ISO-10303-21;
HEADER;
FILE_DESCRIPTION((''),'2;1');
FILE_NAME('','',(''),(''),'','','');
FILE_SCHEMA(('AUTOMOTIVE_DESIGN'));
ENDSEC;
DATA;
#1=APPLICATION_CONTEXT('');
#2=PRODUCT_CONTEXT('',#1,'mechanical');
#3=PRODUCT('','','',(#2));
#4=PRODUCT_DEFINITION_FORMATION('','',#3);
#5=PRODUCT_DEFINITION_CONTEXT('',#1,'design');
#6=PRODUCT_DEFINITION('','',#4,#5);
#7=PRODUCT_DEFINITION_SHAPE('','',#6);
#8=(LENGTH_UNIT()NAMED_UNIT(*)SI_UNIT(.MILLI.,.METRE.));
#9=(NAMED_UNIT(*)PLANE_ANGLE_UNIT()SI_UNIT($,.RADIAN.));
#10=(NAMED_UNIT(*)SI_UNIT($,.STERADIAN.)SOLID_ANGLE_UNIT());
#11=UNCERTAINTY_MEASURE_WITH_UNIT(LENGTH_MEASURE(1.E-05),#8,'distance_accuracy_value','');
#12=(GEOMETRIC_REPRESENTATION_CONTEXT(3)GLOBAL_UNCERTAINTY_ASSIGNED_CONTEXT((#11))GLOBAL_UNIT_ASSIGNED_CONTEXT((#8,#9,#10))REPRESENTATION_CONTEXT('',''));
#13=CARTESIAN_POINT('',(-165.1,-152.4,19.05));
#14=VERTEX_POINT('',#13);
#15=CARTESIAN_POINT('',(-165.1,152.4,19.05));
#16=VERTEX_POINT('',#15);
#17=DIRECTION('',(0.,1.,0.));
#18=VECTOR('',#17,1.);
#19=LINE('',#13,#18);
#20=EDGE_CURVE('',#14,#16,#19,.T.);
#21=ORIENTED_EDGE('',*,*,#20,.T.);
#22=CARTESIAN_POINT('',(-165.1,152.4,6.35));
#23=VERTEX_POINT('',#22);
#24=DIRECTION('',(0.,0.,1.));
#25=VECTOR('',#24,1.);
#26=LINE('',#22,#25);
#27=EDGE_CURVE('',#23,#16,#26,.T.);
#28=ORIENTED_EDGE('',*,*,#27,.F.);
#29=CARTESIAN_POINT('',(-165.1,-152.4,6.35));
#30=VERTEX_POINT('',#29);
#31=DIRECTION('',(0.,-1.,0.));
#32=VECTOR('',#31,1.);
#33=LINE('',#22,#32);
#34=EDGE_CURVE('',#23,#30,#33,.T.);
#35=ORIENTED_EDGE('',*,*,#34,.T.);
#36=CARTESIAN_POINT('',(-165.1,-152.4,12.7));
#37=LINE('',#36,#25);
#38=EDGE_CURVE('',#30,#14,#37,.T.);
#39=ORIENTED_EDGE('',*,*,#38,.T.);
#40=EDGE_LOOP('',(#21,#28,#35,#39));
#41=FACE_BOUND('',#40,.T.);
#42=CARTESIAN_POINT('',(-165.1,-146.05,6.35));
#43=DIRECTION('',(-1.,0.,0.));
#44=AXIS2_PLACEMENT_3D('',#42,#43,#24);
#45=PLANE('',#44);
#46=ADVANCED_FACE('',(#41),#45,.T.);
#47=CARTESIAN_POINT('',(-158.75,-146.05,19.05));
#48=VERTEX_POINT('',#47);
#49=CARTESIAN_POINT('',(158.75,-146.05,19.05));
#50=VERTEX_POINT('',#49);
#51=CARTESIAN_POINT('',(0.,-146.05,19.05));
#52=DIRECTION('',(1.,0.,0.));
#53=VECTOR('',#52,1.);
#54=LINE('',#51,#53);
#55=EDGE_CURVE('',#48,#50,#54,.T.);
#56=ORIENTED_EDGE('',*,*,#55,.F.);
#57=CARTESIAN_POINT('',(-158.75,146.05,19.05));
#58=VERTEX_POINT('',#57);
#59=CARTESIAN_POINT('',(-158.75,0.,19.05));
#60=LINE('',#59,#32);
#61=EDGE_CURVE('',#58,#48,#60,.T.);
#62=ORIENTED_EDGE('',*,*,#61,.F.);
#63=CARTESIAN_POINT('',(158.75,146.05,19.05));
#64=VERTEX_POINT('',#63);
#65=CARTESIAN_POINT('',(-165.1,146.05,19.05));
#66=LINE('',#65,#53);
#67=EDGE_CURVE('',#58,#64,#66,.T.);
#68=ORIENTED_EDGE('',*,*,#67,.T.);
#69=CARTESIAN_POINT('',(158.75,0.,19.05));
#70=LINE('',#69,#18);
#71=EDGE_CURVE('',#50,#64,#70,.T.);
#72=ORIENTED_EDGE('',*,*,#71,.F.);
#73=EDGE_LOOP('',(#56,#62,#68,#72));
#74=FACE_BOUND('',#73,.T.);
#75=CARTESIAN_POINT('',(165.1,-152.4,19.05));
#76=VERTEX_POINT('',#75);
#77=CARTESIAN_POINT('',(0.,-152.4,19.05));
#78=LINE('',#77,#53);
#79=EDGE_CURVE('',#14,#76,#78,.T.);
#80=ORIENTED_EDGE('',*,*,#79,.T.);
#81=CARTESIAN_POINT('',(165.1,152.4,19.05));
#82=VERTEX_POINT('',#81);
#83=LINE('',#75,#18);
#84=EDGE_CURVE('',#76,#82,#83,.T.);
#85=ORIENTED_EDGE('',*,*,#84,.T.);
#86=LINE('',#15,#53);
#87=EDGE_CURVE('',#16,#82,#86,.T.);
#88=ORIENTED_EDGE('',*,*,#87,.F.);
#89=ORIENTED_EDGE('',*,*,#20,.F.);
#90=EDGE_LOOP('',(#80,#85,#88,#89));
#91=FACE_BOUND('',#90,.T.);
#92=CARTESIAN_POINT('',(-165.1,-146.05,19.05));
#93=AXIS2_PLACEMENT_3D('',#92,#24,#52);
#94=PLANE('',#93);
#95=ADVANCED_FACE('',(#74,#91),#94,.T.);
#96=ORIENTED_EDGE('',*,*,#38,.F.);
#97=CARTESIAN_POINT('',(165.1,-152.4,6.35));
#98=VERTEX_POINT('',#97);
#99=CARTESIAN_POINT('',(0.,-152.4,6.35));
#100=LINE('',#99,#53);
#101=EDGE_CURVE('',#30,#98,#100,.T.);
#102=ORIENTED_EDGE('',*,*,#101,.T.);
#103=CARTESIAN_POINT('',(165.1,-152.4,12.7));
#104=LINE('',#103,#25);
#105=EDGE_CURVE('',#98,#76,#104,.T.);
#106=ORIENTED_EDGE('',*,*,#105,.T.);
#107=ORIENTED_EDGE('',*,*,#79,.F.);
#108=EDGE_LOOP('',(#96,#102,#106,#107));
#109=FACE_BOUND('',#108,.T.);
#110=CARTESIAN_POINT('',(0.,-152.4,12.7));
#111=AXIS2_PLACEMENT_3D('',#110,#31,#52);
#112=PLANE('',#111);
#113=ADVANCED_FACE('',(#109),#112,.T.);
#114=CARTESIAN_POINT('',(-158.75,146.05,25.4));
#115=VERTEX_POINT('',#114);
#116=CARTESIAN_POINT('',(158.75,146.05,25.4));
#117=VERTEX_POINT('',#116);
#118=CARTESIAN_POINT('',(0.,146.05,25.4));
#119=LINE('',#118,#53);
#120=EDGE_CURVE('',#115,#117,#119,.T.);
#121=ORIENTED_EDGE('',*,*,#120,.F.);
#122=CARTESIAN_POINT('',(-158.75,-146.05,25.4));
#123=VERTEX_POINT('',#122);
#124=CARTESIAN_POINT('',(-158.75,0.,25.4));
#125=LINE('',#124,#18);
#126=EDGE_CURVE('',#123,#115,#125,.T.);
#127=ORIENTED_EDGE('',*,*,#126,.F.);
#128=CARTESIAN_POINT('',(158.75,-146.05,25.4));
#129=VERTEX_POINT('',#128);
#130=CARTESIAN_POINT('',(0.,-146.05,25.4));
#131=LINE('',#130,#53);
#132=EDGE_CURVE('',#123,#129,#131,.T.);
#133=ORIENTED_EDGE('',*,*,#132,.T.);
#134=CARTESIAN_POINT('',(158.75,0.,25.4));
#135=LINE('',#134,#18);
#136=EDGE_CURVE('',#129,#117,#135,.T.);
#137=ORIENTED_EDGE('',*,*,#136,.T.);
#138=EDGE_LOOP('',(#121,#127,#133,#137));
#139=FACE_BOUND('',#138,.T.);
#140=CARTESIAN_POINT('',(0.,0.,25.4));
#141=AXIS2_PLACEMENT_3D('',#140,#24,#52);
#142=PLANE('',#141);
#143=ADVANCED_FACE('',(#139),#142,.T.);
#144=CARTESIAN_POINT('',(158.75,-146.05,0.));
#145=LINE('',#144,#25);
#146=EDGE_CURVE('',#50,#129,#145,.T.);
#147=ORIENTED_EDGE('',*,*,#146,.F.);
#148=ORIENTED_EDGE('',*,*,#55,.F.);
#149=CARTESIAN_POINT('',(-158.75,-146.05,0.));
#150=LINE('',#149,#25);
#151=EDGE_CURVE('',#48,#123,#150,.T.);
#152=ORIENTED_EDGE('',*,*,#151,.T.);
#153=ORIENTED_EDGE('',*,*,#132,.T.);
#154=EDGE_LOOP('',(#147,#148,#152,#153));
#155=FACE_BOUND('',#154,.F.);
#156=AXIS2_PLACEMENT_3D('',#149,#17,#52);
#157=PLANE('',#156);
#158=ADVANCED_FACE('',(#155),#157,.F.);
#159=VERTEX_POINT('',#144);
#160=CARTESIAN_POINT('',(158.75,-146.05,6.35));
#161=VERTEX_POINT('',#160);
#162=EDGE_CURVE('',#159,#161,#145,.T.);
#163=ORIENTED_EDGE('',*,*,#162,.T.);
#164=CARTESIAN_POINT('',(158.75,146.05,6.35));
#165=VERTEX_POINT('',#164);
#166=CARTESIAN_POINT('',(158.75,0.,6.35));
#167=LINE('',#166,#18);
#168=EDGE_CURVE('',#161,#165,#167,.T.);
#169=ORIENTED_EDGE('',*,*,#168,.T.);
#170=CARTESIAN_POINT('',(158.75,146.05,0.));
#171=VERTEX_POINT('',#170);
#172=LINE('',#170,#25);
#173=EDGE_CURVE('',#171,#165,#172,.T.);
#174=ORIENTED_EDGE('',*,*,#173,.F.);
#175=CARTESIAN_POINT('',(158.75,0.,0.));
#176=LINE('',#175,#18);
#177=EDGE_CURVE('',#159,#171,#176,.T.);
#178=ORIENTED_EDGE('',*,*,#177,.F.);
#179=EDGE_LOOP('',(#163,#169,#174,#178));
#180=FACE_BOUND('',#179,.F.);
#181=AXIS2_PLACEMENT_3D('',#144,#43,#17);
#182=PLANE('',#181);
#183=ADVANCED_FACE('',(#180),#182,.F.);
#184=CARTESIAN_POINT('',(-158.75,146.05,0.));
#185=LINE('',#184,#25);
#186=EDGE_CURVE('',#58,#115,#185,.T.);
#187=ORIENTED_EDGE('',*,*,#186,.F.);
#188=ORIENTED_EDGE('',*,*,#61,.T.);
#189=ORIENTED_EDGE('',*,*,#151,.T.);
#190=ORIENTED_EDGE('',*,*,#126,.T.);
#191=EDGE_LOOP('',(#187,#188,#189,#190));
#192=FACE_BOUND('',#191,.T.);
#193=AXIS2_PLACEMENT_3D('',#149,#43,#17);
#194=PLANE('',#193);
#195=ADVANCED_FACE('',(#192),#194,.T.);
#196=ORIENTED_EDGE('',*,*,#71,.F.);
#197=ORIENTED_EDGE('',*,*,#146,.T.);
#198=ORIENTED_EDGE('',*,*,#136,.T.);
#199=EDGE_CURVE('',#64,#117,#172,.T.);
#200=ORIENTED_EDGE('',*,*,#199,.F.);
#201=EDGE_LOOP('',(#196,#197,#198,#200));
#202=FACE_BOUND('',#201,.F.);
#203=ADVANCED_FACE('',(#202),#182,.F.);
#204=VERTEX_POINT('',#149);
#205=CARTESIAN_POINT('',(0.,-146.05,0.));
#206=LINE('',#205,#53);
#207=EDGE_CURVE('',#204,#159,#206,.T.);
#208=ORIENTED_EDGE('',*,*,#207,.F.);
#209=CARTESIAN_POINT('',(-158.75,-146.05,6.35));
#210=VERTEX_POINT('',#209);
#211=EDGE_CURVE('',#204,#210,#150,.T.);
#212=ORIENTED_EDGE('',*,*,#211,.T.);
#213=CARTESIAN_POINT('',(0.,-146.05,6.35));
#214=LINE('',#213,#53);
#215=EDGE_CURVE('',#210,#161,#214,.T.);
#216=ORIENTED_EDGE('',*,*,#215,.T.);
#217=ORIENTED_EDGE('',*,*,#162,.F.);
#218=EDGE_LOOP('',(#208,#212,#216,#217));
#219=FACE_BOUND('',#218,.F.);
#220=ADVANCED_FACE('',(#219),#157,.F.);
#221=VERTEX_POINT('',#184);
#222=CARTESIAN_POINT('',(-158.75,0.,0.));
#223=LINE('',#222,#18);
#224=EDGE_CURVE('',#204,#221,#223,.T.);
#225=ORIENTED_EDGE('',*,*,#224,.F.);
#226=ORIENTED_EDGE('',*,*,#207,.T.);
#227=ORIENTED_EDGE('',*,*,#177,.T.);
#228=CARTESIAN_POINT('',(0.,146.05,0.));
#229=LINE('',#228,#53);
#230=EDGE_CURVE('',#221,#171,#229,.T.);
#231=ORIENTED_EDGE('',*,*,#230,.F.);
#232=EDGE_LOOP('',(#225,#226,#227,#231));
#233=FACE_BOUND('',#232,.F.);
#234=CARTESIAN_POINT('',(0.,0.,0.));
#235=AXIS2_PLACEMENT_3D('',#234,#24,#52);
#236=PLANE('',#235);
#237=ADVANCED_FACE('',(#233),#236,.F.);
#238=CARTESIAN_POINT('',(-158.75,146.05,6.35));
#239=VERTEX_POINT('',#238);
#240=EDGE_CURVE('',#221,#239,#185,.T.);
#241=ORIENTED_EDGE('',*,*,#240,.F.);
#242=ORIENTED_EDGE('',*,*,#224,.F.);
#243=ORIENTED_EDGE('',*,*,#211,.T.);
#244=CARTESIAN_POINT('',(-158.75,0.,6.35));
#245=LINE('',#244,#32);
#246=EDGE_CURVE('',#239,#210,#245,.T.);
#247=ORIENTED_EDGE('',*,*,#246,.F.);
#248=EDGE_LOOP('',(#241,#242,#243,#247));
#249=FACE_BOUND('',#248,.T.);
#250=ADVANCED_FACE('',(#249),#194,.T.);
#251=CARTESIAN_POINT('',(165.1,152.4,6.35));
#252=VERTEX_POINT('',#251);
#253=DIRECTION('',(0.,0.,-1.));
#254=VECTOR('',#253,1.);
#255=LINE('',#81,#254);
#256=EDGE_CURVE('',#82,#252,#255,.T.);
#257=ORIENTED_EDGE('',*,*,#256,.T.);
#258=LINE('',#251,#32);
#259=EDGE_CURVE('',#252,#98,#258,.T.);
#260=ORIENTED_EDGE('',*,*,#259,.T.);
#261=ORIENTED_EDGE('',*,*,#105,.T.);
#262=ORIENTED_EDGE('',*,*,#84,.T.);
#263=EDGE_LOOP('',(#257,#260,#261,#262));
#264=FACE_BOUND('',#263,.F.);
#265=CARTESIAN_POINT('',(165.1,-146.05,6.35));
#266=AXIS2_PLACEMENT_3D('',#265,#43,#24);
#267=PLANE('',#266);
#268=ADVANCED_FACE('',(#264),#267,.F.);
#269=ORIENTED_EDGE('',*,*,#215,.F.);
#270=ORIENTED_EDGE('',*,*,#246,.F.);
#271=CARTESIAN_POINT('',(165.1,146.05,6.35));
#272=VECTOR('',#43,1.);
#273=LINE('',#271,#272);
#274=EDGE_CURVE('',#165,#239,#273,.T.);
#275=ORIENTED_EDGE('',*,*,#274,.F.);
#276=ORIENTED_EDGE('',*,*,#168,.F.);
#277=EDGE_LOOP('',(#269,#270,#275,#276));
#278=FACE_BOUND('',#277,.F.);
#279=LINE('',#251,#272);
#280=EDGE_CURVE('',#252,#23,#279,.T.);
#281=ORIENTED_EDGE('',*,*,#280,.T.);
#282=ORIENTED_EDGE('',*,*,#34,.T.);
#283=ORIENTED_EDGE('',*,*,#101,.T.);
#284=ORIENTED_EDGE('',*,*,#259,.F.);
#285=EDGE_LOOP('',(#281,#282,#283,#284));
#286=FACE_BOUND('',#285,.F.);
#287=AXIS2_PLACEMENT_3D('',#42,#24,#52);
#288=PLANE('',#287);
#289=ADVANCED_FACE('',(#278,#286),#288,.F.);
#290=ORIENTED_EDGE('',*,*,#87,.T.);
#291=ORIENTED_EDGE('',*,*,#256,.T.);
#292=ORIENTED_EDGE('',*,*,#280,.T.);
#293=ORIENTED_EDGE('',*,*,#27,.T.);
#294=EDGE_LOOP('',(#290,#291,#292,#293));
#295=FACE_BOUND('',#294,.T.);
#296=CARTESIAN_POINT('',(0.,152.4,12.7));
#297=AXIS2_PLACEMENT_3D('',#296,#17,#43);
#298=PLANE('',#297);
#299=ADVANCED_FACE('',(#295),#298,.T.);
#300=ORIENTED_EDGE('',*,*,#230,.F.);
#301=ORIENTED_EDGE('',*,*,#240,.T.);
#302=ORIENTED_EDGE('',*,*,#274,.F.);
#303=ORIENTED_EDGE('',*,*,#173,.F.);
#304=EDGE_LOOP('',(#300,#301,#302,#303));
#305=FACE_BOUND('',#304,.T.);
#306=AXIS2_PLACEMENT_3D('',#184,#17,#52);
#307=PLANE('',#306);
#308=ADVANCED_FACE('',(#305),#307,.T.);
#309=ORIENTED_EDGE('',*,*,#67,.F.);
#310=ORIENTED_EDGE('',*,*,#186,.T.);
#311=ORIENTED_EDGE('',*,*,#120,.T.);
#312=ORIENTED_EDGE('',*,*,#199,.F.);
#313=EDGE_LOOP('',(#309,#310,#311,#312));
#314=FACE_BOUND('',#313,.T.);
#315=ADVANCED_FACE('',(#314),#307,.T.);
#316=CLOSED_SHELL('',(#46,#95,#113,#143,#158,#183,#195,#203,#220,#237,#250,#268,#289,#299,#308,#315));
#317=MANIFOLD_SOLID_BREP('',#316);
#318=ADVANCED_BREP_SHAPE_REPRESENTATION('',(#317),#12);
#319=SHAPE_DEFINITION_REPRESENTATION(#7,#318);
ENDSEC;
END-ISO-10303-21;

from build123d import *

# Parameters (mm, degrees)
F0_W     = 317.5
F0_H     = 292.1
F1_DEPTH = 25.4
F2_W     = 292.1
F2_H     = 12.7
F3_DEPTH = 6.35
F4_W     = 292.1
F4_H     = 12.7
F5_DEPTH = 6.35
F7_DEPTH = 6.35
F8_W     = 330.2
F8_H     = 12.7
F9_DEPTH = 6.35


with BuildPart() as f1:
    # F0 (on Top) → F1 (new body)
    with BuildSketch(Plane.XY):
        Rectangle(F0_W, F0_H)
    extrude(amount=F1_DEPTH)

    # F2 (on face) → F3 (join)
    with BuildSketch(Plane.YZ.offset(158.75)):
        with Locations((0, 12.7)):
            Rectangle(F2_W, F2_H)
    extrude(amount=F3_DEPTH)

    # F4 (on face) → F5 (join)
    with BuildSketch(Plane(origin=(-158.75, 0, 0), x_dir=(0, -1, 0), z_dir=(-1, 0, 0))):
        with Locations((0, 12.7)):
            Rectangle(F4_W, F4_H)
    extrude(amount=F5_DEPTH)

    # F6 (on face) → F7 (join)
    with BuildSketch(Plane(origin=(0, 146.05, 0), x_dir=(-1, 0, 0), z_dir=(0, 1, 0))):
        Polygon((-158.75, 19.05), (-165.1, 19.05), (-165.1, 6.35), (-158.75, 6.35), (158.75, 6.35), (165.1, 6.35), (165.1, 19.05), (158.75, 19.05), align=None)
    extrude(amount=F7_DEPTH)

    # F8 (on face) → F9 (join)
    with BuildSketch(Plane.XZ.offset(146.05)):
        with Locations((0, 12.7)):
            Rectangle(F8_W, F8_H)
    extrude(amount=F9_DEPTH)


solid = f1.part
